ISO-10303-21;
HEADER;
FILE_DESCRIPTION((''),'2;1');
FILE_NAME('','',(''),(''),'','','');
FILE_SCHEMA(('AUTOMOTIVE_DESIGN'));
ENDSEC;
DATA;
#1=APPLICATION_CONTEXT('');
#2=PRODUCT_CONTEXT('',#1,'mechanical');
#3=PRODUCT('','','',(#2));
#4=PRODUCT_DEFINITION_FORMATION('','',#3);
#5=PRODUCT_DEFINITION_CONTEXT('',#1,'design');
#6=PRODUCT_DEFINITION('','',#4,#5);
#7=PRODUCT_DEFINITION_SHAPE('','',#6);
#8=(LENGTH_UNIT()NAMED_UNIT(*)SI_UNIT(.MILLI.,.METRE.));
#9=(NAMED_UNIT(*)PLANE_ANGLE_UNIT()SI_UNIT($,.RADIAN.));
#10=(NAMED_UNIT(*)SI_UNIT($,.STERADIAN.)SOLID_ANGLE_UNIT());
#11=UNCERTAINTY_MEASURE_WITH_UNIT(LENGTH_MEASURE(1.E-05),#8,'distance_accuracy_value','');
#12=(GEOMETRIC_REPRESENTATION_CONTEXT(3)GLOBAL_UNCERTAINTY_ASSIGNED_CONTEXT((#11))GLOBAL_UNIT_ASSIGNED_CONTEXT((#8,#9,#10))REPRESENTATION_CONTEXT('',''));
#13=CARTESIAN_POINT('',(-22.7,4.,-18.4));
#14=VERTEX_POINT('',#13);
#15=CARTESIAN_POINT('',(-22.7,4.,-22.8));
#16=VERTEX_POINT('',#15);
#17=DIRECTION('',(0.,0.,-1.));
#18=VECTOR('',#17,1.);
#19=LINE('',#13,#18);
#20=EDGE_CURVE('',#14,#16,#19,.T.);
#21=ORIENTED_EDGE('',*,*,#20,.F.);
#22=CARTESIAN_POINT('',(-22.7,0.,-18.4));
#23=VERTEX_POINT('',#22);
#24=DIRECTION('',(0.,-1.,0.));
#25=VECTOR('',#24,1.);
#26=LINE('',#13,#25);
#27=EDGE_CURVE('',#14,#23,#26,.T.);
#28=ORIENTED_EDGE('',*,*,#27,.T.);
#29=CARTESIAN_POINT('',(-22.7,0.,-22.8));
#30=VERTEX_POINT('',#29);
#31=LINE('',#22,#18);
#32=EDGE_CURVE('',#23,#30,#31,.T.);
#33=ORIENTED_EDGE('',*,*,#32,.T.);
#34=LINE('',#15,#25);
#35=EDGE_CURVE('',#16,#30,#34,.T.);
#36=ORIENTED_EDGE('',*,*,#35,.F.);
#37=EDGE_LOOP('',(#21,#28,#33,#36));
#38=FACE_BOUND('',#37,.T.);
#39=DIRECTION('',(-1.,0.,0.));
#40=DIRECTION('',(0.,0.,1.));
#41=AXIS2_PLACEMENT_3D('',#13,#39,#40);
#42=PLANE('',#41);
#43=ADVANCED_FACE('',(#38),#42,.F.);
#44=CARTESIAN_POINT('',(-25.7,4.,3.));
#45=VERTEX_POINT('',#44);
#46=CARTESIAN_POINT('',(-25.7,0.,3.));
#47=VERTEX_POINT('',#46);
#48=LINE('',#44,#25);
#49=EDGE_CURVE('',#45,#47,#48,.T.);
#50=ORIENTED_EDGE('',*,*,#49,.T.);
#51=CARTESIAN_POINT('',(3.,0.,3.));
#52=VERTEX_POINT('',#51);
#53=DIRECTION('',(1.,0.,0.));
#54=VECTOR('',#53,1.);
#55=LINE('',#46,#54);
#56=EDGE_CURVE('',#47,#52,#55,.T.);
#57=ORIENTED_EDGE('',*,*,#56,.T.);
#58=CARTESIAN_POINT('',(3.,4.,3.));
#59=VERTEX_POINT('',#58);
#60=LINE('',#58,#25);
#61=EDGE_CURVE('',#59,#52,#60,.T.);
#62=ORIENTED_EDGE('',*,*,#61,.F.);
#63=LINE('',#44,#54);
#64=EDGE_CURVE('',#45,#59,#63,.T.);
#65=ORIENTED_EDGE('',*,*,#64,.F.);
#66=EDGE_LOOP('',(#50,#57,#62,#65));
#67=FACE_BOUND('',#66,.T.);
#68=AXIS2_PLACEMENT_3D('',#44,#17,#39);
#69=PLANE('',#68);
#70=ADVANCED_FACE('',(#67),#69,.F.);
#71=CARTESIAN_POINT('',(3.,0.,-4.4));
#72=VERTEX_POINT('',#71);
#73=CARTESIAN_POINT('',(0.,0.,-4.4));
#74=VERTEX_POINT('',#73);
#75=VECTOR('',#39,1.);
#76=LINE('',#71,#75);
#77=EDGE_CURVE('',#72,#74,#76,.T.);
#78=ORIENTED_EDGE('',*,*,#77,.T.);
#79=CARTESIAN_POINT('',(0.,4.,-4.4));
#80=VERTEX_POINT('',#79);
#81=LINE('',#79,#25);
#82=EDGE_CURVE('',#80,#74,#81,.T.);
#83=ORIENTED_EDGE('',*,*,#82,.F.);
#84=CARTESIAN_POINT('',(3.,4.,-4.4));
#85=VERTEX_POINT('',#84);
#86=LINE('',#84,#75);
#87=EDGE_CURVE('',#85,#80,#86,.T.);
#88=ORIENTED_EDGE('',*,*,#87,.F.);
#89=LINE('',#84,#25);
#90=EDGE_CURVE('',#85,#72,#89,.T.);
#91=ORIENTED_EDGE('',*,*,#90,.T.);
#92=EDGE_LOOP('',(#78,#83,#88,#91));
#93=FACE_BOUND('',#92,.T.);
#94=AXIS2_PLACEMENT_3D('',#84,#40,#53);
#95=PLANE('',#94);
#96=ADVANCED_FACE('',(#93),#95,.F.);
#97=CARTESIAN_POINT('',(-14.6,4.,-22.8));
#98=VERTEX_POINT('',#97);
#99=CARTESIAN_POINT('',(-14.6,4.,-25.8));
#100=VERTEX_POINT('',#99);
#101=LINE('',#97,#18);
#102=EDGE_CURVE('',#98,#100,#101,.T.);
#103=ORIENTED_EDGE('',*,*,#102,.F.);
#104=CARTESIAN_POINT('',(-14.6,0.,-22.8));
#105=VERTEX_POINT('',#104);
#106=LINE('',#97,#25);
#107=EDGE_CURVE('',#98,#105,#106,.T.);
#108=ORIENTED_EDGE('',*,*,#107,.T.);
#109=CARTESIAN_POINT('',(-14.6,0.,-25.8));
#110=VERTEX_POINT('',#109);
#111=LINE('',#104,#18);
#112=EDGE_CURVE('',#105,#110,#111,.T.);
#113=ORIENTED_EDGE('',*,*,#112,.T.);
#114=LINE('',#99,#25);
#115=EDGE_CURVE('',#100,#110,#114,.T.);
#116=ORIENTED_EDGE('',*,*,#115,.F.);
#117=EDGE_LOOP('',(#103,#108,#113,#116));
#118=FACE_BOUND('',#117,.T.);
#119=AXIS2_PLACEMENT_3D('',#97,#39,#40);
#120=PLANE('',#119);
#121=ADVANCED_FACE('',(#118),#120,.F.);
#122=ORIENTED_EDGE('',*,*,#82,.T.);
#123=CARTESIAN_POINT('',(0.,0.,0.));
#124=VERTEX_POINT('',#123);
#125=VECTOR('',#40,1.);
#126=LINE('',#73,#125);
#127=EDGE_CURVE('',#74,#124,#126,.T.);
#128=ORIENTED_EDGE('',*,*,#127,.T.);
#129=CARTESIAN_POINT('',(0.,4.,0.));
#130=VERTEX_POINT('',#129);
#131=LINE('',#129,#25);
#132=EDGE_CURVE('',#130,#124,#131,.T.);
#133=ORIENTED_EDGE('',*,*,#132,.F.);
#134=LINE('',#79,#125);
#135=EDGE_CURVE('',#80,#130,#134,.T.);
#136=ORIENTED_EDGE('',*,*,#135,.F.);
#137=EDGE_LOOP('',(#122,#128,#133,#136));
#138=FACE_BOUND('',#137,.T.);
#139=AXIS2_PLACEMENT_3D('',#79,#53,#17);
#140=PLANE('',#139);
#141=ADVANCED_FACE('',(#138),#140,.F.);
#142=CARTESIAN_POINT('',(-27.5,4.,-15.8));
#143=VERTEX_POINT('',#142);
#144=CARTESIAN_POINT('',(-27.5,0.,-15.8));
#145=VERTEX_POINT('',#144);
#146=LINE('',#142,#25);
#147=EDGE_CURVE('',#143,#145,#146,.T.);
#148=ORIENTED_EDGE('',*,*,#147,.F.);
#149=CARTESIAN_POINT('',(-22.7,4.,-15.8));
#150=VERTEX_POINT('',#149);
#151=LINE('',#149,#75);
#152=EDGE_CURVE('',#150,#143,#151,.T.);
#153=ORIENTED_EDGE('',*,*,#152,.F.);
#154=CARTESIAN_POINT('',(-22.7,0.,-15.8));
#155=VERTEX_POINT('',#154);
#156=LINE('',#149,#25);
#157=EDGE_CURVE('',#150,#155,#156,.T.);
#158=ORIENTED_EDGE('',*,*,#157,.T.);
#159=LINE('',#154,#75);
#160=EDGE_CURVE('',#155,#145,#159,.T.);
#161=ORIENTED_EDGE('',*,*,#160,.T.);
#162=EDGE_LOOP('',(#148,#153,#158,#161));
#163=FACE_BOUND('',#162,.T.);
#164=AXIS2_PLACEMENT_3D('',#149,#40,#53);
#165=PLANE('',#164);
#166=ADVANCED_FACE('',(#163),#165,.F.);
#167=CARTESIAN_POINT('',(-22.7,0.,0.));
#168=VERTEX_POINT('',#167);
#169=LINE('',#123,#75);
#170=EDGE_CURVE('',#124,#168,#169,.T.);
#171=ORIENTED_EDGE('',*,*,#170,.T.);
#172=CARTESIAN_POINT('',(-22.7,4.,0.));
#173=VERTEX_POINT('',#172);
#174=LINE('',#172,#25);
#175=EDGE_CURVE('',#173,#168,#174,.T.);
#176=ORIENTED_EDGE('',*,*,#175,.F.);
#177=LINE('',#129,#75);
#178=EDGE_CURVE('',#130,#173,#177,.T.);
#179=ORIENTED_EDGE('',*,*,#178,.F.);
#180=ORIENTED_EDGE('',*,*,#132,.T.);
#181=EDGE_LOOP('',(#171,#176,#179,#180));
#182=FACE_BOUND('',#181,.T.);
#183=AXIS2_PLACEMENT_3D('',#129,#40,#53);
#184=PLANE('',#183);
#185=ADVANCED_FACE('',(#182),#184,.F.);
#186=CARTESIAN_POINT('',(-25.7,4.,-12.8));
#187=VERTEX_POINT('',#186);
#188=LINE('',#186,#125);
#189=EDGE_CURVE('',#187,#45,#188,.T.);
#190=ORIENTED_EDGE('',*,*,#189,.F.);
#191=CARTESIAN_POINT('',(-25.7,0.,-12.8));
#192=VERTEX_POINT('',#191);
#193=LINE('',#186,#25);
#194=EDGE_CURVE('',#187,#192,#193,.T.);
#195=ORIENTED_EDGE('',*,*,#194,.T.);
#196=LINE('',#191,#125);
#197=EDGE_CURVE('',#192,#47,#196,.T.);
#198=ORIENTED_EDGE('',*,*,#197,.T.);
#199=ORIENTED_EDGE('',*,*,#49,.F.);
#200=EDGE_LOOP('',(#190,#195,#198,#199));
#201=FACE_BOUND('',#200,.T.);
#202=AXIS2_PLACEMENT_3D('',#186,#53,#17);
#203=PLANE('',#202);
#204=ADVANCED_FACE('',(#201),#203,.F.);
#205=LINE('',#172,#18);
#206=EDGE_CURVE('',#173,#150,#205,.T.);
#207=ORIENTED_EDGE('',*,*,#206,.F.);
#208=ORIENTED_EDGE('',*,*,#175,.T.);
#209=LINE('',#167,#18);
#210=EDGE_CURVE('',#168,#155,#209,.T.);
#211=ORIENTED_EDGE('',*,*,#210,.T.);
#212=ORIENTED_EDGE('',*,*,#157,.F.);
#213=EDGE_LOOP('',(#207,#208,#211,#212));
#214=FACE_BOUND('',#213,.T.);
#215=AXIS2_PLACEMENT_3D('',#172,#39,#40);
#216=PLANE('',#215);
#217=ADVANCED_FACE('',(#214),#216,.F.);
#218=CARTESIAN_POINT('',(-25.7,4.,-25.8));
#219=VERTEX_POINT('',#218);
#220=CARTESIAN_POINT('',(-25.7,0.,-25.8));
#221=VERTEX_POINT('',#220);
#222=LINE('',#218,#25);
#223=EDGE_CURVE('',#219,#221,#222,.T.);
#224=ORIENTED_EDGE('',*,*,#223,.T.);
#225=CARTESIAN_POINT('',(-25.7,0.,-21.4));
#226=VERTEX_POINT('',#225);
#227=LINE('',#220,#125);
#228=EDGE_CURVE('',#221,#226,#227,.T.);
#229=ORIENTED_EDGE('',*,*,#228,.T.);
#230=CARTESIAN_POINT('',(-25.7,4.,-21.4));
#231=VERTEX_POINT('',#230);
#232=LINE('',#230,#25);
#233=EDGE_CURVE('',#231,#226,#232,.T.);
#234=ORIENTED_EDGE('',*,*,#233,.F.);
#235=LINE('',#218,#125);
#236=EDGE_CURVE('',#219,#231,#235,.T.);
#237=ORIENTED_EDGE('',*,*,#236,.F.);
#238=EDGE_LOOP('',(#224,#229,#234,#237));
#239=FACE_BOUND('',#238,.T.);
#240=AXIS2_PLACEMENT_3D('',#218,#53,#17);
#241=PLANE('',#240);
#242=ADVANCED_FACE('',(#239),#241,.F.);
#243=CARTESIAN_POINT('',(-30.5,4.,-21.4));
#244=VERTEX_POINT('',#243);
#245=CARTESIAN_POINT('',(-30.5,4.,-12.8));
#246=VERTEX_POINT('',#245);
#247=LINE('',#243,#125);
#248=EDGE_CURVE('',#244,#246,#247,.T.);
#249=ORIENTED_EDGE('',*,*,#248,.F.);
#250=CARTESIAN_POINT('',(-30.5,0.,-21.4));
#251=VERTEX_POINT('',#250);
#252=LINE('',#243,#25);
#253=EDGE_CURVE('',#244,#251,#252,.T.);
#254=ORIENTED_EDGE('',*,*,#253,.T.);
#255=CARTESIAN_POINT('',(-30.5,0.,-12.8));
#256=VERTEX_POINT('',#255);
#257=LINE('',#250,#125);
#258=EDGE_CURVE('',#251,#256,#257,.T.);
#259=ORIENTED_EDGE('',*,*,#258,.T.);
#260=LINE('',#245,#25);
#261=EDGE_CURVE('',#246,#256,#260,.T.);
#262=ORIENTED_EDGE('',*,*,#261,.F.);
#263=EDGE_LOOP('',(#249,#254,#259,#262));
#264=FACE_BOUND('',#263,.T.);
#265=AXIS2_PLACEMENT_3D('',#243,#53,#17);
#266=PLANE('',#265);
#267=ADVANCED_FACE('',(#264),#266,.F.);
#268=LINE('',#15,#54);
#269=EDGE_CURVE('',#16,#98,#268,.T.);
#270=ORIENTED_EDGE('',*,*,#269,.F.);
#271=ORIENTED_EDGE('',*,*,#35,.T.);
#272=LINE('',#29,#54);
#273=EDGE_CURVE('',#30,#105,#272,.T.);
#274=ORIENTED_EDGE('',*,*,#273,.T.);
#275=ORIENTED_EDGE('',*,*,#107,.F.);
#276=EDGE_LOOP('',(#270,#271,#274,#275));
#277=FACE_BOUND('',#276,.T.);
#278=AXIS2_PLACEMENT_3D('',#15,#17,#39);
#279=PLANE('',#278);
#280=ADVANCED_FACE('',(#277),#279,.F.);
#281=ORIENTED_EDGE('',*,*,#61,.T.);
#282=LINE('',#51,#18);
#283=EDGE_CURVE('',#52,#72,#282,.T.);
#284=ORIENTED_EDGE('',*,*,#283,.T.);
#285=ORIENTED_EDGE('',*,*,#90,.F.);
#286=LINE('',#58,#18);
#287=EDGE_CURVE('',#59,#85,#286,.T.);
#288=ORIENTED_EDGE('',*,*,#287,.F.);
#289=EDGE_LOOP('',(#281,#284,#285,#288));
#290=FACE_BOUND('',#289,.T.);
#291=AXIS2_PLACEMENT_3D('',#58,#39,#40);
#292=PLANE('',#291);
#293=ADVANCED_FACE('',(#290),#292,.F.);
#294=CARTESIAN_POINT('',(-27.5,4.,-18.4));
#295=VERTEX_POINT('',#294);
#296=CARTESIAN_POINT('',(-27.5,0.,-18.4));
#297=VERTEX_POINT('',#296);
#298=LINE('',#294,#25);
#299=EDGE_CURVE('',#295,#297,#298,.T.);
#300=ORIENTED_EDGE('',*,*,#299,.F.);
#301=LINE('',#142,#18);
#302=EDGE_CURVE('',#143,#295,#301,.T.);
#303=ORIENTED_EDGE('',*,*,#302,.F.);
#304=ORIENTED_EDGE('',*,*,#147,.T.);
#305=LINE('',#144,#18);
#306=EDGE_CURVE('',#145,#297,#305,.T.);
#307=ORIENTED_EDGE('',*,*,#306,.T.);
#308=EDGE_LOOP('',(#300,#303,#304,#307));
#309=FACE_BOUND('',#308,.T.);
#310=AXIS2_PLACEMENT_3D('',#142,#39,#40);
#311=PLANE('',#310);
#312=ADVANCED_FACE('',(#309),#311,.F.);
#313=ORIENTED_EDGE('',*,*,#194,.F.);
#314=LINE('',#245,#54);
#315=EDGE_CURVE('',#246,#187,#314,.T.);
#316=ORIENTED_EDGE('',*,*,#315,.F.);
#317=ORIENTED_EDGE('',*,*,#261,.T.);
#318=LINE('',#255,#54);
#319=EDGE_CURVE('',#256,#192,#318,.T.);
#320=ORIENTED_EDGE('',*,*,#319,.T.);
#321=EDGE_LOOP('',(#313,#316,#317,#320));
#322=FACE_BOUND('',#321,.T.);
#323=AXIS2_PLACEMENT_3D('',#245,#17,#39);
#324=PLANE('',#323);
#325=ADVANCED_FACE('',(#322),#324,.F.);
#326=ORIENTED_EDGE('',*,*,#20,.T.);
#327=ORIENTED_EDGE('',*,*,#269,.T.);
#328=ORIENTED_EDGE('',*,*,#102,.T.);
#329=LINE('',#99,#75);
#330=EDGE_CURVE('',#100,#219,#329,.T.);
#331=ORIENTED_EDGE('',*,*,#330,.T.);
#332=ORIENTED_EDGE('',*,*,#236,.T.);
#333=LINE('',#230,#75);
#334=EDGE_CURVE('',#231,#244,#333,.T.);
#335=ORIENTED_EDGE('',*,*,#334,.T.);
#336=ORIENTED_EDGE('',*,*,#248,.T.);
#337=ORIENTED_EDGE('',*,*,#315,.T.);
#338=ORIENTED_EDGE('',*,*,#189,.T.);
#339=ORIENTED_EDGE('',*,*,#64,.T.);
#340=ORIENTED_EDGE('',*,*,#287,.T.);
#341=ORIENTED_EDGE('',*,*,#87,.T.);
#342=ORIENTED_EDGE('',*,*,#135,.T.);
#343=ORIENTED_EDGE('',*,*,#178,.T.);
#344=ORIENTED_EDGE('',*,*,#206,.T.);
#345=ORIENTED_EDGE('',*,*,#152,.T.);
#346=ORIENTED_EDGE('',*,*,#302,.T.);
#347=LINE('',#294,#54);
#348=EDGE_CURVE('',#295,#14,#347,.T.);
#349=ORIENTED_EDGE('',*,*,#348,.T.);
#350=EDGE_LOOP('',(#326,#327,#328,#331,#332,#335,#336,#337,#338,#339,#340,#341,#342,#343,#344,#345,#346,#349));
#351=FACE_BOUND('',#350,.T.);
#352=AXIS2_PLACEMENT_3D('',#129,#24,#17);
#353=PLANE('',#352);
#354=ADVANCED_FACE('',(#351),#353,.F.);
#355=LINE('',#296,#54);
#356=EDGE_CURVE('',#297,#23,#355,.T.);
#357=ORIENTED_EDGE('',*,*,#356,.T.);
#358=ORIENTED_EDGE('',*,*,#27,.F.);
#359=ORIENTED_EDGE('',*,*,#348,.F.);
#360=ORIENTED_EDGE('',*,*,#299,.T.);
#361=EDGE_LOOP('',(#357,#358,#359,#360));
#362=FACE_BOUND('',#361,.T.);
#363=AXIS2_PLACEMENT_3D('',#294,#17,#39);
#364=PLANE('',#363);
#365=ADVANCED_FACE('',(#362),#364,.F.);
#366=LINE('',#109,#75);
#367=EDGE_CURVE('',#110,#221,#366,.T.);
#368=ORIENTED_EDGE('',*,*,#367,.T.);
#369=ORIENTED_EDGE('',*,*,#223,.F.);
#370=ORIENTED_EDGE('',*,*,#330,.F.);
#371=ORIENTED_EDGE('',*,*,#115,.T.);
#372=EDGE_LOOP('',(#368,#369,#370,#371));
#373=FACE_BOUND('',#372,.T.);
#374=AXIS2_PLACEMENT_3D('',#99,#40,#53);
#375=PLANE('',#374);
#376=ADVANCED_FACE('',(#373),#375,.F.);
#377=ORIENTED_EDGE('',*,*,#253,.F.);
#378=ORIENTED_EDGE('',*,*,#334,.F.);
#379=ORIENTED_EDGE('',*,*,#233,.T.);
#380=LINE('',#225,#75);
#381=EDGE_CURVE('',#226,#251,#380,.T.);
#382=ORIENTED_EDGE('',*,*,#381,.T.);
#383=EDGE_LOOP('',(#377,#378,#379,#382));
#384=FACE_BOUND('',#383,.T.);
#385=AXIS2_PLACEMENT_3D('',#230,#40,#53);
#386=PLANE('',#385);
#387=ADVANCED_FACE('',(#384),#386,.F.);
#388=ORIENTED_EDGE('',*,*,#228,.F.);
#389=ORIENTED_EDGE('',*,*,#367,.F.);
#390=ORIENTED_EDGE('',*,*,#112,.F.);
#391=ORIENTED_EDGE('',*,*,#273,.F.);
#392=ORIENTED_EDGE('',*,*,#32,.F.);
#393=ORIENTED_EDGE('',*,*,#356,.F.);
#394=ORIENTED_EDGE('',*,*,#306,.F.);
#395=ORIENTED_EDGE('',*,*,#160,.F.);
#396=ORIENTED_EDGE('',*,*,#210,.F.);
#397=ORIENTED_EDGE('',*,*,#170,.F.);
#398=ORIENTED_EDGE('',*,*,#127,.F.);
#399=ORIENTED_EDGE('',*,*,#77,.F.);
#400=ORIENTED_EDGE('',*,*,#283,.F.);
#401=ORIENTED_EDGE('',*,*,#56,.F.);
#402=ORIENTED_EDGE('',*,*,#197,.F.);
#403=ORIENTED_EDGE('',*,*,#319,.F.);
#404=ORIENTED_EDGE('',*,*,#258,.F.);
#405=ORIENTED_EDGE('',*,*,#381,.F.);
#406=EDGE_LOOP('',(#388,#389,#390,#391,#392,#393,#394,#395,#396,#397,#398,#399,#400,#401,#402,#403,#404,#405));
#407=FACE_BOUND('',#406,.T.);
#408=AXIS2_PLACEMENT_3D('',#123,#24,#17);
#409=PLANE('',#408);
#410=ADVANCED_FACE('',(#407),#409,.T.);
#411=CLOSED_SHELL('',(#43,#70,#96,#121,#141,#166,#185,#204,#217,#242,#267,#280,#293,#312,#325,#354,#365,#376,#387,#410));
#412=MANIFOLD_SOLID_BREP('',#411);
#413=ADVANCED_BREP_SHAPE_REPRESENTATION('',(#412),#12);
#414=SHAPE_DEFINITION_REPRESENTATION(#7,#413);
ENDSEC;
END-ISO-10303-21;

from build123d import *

# Parameters (mm, degrees)
BOSS_EXTRUDE1_DEPTH = 4


with BuildPart() as part:
    # Sketch1 → Boss-Extrude1 (new body)
    with BuildSketch(Plane(origin=(0, 0, 0), x_dir=(1, 0, 0), z_dir=(0, 1, 0))):
        Polygon((0, 0), (-22.7, 0), (-22.7, 15.8), (-27.5, 15.8), (-27.5, 18.4), (-22.7, 18.4), (-22.7, 22.8), (-14.6, 22.8), (-14.6, 25.8), (-25.7, 25.8), (-25.7, 21.4), (-30.5, 21.4), (-30.5, 12.8), (-25.7, 12.8), (-25.7, -3), (3, -3), (3, 4.4), (0, 4.4), align=None)
    extrude(amount=BOSS_EXTRUDE1_DEPTH)


solid = part.part
